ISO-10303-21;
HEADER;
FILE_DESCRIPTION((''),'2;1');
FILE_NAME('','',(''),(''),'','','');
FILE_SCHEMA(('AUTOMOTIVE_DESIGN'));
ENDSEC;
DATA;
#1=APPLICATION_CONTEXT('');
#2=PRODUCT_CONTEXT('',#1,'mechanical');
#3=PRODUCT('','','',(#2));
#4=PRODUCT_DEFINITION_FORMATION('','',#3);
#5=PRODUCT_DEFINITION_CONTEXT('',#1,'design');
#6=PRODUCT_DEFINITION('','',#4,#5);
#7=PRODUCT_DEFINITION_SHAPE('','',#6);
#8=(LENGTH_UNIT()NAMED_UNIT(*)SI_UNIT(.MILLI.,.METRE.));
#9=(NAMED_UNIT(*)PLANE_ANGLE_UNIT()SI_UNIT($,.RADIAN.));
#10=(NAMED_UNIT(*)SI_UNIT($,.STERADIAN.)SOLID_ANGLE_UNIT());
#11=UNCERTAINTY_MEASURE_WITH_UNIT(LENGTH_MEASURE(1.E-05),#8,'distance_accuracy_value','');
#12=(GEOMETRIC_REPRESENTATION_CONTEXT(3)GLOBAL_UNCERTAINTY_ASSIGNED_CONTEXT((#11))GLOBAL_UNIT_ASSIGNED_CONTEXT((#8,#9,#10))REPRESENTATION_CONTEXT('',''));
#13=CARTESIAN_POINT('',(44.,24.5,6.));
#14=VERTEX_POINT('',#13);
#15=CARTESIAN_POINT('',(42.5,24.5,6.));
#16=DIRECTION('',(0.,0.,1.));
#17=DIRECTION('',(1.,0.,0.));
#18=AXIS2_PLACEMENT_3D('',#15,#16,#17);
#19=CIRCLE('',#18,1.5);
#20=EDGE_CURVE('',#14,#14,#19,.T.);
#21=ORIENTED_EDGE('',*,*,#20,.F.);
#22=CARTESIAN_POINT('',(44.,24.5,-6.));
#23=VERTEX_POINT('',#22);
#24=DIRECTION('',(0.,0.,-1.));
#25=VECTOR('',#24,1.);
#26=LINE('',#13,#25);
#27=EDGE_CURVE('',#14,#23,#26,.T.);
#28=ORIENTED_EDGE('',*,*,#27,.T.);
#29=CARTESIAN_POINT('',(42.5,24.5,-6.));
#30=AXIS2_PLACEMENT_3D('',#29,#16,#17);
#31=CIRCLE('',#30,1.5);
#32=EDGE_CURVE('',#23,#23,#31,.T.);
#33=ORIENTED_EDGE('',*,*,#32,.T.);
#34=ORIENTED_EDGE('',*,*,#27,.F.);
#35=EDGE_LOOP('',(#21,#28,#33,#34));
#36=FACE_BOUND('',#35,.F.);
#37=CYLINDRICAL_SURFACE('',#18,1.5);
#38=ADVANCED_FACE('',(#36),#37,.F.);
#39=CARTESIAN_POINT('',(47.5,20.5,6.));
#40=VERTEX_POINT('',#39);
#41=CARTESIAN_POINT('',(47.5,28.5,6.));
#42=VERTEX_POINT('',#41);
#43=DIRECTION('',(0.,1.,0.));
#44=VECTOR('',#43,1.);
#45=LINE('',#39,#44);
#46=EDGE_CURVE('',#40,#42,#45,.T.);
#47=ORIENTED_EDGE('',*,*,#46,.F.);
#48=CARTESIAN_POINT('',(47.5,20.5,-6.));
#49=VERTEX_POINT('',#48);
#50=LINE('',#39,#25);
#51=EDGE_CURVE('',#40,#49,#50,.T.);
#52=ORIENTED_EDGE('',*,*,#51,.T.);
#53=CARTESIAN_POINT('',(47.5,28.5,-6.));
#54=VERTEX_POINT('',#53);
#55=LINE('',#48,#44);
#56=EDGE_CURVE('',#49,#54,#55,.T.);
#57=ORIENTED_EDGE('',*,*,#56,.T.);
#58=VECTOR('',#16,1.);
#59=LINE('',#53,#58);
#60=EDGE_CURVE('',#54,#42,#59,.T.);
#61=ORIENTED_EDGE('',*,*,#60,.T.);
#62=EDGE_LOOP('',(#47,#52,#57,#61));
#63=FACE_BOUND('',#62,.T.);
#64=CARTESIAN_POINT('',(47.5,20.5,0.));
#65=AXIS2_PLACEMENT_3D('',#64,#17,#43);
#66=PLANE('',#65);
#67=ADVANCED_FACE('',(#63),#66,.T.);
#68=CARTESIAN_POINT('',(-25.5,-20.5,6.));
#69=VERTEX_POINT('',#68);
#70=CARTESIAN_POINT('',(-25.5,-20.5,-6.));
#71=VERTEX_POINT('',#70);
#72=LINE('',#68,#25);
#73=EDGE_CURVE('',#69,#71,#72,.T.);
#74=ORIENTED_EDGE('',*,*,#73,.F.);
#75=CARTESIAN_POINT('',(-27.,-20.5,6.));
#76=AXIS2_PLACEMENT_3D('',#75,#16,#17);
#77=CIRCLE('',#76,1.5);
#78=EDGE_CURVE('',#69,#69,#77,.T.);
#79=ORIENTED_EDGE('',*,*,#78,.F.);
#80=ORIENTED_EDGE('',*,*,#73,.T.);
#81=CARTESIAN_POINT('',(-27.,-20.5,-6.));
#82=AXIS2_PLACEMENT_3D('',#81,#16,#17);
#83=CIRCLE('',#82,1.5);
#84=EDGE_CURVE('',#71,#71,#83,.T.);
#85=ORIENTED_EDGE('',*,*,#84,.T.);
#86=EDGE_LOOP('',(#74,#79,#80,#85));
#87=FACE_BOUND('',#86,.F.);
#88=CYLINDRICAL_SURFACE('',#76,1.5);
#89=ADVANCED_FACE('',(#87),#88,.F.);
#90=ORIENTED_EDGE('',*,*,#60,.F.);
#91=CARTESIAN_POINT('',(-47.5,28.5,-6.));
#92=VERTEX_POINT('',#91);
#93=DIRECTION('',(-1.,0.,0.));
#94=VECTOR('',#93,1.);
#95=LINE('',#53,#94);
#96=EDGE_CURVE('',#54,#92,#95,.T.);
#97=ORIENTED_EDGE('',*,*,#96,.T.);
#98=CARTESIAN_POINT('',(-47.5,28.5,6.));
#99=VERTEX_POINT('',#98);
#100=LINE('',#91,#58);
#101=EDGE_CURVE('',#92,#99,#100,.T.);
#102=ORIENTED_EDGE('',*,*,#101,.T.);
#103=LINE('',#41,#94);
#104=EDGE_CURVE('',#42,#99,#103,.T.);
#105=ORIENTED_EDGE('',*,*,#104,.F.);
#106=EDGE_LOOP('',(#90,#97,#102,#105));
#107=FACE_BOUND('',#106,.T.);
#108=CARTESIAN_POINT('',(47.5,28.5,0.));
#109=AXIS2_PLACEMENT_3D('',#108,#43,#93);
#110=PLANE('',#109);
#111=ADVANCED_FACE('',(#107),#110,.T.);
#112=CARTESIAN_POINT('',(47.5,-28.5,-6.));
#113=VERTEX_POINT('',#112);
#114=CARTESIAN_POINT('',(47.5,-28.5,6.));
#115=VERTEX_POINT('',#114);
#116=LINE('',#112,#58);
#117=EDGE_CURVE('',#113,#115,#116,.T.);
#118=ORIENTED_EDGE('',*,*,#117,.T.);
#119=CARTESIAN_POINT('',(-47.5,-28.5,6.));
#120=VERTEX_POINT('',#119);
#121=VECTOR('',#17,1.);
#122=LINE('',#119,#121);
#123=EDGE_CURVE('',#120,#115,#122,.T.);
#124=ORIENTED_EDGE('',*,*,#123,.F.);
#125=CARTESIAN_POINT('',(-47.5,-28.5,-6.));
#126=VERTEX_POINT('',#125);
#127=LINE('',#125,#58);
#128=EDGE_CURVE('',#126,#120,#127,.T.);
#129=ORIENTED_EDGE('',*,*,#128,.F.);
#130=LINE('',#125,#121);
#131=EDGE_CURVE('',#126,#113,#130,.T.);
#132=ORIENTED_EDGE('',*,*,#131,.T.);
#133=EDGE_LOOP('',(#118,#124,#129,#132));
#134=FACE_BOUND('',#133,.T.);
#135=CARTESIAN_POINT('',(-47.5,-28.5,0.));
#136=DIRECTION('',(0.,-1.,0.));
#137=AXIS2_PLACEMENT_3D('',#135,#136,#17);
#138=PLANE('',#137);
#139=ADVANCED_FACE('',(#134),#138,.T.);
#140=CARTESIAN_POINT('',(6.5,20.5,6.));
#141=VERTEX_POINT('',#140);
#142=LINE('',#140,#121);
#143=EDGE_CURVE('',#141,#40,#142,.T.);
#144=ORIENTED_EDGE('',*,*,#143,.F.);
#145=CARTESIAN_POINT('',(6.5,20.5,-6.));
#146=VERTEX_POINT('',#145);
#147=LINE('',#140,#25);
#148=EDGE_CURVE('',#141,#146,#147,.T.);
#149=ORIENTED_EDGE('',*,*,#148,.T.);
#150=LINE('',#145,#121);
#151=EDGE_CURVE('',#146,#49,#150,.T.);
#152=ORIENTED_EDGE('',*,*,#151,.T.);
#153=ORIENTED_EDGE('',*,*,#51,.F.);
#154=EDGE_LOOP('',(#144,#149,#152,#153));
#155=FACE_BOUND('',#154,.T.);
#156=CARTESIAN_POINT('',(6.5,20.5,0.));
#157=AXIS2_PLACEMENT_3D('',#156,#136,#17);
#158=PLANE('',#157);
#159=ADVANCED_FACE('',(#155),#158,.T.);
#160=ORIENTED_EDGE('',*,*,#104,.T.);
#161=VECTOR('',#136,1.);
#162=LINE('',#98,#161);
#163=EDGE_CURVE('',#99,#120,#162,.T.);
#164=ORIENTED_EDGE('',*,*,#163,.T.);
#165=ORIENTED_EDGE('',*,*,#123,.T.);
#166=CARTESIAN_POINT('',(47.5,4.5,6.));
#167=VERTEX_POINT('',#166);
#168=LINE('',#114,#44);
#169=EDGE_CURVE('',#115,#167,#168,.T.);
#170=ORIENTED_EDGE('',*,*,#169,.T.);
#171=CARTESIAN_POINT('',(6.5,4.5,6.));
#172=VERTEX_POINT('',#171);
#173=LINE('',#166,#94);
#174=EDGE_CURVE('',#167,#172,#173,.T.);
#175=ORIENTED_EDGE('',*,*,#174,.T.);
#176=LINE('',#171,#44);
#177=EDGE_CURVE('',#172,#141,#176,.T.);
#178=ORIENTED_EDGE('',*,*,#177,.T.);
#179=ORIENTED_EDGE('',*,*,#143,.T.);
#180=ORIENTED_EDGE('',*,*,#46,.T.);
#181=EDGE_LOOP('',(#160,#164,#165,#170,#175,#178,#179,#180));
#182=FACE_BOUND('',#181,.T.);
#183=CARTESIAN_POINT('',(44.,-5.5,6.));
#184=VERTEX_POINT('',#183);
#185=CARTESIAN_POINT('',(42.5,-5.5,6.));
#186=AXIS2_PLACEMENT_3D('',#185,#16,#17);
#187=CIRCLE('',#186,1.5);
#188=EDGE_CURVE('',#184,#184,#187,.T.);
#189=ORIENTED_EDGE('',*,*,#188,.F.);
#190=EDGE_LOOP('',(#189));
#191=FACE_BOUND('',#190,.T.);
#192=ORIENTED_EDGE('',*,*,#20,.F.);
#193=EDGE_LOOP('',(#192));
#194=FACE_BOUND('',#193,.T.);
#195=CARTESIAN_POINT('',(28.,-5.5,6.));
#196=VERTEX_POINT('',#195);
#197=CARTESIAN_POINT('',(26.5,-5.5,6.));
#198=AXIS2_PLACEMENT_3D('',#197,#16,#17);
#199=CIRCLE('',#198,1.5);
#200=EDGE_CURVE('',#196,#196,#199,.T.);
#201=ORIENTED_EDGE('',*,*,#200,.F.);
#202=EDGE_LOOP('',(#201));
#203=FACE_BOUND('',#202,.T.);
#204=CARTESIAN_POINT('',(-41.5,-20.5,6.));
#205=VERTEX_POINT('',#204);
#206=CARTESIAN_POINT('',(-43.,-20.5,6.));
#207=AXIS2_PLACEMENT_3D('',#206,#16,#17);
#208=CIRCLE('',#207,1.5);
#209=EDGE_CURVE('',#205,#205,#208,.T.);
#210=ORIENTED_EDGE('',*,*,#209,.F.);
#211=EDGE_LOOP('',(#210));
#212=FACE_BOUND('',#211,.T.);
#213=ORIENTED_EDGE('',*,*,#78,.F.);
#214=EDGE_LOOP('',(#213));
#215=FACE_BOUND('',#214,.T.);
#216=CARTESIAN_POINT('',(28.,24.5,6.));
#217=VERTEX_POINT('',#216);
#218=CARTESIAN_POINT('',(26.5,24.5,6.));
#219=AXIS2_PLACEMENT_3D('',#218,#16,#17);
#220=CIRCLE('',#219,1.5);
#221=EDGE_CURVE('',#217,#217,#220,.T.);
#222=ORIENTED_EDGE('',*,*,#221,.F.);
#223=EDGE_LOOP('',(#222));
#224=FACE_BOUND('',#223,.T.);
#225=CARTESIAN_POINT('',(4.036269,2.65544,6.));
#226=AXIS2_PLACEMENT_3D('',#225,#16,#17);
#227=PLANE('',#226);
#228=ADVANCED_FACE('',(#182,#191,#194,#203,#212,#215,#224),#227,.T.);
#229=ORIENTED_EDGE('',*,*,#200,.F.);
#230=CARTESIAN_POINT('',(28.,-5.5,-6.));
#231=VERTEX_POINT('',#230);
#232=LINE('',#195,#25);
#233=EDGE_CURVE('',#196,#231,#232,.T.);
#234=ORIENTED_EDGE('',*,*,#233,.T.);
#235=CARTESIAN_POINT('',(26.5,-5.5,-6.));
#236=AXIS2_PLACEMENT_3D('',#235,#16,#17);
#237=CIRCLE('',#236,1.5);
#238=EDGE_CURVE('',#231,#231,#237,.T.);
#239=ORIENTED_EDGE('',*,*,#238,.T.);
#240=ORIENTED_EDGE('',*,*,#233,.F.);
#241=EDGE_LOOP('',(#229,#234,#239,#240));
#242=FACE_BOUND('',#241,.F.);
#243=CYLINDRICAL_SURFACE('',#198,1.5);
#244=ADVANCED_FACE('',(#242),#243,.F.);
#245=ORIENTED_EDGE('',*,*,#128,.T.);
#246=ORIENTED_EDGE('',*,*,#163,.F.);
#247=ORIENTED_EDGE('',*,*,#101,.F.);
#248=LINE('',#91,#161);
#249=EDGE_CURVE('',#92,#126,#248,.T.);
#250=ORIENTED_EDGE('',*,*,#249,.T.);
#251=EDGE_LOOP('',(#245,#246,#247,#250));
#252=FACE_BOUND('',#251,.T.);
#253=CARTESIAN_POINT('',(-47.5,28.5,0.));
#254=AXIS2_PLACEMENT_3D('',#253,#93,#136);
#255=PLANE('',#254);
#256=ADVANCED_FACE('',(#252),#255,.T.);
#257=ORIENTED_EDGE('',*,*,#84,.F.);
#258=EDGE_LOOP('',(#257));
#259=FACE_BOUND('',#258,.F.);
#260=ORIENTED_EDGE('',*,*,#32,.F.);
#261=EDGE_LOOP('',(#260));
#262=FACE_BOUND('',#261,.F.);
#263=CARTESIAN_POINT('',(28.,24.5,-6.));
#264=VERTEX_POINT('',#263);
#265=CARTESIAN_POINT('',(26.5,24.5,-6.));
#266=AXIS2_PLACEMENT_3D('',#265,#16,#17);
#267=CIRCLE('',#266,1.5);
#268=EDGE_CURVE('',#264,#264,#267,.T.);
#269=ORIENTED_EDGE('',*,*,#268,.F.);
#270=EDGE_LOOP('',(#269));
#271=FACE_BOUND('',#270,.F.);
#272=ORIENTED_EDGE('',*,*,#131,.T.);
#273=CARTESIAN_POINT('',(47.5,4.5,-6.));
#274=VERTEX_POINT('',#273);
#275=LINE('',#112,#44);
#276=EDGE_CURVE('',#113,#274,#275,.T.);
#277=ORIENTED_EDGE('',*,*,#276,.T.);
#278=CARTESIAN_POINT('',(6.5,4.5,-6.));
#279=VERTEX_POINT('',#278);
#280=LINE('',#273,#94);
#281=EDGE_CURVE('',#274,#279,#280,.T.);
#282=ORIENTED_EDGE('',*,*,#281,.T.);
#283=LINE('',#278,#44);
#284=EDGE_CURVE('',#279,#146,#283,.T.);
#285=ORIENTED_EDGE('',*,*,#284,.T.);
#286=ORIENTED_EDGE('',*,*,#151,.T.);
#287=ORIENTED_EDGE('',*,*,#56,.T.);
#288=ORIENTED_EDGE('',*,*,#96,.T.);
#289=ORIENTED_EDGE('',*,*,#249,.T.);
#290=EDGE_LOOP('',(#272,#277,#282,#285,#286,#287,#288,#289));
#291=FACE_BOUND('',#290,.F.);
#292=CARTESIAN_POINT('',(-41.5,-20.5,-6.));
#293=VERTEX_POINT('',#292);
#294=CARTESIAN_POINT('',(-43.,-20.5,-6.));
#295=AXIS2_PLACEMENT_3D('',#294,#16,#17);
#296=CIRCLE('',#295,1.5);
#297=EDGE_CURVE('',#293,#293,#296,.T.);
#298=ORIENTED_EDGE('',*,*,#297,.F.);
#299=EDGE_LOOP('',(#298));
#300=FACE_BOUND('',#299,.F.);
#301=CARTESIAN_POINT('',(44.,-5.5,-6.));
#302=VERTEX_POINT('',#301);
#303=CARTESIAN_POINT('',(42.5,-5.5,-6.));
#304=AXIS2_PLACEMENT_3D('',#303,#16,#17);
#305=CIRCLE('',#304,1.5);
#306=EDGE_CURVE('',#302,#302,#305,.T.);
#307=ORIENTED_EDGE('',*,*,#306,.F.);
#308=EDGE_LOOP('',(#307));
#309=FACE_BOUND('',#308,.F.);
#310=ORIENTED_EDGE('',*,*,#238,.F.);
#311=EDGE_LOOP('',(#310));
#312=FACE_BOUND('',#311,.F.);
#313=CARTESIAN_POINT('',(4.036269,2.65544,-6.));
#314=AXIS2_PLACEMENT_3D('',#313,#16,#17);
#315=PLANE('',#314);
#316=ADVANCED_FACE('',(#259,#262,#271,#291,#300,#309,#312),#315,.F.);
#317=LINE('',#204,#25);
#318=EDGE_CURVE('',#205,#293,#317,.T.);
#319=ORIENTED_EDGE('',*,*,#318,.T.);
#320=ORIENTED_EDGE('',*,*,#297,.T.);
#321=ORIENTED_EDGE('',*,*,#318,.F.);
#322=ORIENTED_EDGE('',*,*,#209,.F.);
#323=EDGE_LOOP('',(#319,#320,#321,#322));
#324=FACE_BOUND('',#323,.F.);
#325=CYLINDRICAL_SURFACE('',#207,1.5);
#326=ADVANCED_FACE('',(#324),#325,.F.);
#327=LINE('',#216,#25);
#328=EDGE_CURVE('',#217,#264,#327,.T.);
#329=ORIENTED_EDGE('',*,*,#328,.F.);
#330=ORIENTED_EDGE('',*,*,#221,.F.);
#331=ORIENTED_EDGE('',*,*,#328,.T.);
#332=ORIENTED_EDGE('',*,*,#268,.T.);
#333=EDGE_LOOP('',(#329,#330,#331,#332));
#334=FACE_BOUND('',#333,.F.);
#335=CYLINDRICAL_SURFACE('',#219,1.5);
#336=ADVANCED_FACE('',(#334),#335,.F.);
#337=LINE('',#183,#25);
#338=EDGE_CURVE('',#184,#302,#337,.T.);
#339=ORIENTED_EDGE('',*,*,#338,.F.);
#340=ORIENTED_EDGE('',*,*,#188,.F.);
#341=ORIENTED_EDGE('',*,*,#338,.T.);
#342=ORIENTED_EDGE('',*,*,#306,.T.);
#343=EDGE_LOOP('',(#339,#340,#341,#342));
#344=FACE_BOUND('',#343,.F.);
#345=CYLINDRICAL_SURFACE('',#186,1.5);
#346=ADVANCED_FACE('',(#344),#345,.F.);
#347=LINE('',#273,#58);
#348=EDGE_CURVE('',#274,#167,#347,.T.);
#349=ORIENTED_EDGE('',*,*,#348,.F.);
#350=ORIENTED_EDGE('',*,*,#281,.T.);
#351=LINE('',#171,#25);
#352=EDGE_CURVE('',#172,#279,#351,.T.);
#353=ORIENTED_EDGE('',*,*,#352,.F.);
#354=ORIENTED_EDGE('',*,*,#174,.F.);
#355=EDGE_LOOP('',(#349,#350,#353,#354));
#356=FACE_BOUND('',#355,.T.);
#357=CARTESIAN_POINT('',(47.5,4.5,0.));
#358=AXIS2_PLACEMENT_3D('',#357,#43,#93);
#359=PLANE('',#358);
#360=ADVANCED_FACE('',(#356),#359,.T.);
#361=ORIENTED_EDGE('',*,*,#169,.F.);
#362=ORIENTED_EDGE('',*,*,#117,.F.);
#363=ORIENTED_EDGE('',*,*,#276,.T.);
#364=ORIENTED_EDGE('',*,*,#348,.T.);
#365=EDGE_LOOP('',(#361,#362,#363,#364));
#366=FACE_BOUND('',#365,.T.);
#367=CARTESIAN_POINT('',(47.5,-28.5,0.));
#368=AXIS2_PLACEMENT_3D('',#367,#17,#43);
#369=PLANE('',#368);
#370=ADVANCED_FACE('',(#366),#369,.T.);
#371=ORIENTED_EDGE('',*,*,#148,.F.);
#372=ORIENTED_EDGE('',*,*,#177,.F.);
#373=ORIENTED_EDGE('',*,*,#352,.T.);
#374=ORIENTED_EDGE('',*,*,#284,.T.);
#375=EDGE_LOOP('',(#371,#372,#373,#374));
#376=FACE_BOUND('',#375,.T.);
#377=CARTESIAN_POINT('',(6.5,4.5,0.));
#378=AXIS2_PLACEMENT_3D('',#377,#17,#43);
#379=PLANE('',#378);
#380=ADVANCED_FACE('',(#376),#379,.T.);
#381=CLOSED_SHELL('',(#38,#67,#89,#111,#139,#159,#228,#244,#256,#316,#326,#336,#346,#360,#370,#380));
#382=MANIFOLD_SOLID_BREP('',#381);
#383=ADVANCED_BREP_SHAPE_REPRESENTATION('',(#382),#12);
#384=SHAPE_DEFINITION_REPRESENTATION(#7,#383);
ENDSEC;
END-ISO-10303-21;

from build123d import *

# Parameters (mm, degrees)
F1_DEPTH = 6
F2_R     = 1.5
F3_DEPTH = 25


with BuildPart() as f1:
    # F0 (on Top) → F1 (new body, symmetric)
    with BuildSketch(Plane.XY):
        Polygon((47.5, 20.5), (47.5, 28.5), (-47.5, 28.5), (-47.5, -28.5), (47.5, -28.5), (47.5, 4.5), (6.5, 4.5), (6.5, 20.5), align=None)
    extrude(amount=F1_DEPTH, both=True)

    # F2 (on face) → F3 (cut)
    with BuildSketch(Plane.XY.offset(6)):
        with Locations((-43, -20.5)):
            Circle(F2_R)
        with Locations((-27, -20.5)):
            Circle(F2_R)
        with Locations((26.5, -5.5)):
            Circle(F2_R)
        with Locations((42.5, -5.5)):
            Circle(F2_R)
        with Locations((42.5, 24.5)):
            Circle(F2_R)
        with Locations((26.5, 24.5)):
            Circle(F2_R)
    extrude(amount=-F3_DEPTH, mode=Mode.SUBTRACT)


solid = f1.part
